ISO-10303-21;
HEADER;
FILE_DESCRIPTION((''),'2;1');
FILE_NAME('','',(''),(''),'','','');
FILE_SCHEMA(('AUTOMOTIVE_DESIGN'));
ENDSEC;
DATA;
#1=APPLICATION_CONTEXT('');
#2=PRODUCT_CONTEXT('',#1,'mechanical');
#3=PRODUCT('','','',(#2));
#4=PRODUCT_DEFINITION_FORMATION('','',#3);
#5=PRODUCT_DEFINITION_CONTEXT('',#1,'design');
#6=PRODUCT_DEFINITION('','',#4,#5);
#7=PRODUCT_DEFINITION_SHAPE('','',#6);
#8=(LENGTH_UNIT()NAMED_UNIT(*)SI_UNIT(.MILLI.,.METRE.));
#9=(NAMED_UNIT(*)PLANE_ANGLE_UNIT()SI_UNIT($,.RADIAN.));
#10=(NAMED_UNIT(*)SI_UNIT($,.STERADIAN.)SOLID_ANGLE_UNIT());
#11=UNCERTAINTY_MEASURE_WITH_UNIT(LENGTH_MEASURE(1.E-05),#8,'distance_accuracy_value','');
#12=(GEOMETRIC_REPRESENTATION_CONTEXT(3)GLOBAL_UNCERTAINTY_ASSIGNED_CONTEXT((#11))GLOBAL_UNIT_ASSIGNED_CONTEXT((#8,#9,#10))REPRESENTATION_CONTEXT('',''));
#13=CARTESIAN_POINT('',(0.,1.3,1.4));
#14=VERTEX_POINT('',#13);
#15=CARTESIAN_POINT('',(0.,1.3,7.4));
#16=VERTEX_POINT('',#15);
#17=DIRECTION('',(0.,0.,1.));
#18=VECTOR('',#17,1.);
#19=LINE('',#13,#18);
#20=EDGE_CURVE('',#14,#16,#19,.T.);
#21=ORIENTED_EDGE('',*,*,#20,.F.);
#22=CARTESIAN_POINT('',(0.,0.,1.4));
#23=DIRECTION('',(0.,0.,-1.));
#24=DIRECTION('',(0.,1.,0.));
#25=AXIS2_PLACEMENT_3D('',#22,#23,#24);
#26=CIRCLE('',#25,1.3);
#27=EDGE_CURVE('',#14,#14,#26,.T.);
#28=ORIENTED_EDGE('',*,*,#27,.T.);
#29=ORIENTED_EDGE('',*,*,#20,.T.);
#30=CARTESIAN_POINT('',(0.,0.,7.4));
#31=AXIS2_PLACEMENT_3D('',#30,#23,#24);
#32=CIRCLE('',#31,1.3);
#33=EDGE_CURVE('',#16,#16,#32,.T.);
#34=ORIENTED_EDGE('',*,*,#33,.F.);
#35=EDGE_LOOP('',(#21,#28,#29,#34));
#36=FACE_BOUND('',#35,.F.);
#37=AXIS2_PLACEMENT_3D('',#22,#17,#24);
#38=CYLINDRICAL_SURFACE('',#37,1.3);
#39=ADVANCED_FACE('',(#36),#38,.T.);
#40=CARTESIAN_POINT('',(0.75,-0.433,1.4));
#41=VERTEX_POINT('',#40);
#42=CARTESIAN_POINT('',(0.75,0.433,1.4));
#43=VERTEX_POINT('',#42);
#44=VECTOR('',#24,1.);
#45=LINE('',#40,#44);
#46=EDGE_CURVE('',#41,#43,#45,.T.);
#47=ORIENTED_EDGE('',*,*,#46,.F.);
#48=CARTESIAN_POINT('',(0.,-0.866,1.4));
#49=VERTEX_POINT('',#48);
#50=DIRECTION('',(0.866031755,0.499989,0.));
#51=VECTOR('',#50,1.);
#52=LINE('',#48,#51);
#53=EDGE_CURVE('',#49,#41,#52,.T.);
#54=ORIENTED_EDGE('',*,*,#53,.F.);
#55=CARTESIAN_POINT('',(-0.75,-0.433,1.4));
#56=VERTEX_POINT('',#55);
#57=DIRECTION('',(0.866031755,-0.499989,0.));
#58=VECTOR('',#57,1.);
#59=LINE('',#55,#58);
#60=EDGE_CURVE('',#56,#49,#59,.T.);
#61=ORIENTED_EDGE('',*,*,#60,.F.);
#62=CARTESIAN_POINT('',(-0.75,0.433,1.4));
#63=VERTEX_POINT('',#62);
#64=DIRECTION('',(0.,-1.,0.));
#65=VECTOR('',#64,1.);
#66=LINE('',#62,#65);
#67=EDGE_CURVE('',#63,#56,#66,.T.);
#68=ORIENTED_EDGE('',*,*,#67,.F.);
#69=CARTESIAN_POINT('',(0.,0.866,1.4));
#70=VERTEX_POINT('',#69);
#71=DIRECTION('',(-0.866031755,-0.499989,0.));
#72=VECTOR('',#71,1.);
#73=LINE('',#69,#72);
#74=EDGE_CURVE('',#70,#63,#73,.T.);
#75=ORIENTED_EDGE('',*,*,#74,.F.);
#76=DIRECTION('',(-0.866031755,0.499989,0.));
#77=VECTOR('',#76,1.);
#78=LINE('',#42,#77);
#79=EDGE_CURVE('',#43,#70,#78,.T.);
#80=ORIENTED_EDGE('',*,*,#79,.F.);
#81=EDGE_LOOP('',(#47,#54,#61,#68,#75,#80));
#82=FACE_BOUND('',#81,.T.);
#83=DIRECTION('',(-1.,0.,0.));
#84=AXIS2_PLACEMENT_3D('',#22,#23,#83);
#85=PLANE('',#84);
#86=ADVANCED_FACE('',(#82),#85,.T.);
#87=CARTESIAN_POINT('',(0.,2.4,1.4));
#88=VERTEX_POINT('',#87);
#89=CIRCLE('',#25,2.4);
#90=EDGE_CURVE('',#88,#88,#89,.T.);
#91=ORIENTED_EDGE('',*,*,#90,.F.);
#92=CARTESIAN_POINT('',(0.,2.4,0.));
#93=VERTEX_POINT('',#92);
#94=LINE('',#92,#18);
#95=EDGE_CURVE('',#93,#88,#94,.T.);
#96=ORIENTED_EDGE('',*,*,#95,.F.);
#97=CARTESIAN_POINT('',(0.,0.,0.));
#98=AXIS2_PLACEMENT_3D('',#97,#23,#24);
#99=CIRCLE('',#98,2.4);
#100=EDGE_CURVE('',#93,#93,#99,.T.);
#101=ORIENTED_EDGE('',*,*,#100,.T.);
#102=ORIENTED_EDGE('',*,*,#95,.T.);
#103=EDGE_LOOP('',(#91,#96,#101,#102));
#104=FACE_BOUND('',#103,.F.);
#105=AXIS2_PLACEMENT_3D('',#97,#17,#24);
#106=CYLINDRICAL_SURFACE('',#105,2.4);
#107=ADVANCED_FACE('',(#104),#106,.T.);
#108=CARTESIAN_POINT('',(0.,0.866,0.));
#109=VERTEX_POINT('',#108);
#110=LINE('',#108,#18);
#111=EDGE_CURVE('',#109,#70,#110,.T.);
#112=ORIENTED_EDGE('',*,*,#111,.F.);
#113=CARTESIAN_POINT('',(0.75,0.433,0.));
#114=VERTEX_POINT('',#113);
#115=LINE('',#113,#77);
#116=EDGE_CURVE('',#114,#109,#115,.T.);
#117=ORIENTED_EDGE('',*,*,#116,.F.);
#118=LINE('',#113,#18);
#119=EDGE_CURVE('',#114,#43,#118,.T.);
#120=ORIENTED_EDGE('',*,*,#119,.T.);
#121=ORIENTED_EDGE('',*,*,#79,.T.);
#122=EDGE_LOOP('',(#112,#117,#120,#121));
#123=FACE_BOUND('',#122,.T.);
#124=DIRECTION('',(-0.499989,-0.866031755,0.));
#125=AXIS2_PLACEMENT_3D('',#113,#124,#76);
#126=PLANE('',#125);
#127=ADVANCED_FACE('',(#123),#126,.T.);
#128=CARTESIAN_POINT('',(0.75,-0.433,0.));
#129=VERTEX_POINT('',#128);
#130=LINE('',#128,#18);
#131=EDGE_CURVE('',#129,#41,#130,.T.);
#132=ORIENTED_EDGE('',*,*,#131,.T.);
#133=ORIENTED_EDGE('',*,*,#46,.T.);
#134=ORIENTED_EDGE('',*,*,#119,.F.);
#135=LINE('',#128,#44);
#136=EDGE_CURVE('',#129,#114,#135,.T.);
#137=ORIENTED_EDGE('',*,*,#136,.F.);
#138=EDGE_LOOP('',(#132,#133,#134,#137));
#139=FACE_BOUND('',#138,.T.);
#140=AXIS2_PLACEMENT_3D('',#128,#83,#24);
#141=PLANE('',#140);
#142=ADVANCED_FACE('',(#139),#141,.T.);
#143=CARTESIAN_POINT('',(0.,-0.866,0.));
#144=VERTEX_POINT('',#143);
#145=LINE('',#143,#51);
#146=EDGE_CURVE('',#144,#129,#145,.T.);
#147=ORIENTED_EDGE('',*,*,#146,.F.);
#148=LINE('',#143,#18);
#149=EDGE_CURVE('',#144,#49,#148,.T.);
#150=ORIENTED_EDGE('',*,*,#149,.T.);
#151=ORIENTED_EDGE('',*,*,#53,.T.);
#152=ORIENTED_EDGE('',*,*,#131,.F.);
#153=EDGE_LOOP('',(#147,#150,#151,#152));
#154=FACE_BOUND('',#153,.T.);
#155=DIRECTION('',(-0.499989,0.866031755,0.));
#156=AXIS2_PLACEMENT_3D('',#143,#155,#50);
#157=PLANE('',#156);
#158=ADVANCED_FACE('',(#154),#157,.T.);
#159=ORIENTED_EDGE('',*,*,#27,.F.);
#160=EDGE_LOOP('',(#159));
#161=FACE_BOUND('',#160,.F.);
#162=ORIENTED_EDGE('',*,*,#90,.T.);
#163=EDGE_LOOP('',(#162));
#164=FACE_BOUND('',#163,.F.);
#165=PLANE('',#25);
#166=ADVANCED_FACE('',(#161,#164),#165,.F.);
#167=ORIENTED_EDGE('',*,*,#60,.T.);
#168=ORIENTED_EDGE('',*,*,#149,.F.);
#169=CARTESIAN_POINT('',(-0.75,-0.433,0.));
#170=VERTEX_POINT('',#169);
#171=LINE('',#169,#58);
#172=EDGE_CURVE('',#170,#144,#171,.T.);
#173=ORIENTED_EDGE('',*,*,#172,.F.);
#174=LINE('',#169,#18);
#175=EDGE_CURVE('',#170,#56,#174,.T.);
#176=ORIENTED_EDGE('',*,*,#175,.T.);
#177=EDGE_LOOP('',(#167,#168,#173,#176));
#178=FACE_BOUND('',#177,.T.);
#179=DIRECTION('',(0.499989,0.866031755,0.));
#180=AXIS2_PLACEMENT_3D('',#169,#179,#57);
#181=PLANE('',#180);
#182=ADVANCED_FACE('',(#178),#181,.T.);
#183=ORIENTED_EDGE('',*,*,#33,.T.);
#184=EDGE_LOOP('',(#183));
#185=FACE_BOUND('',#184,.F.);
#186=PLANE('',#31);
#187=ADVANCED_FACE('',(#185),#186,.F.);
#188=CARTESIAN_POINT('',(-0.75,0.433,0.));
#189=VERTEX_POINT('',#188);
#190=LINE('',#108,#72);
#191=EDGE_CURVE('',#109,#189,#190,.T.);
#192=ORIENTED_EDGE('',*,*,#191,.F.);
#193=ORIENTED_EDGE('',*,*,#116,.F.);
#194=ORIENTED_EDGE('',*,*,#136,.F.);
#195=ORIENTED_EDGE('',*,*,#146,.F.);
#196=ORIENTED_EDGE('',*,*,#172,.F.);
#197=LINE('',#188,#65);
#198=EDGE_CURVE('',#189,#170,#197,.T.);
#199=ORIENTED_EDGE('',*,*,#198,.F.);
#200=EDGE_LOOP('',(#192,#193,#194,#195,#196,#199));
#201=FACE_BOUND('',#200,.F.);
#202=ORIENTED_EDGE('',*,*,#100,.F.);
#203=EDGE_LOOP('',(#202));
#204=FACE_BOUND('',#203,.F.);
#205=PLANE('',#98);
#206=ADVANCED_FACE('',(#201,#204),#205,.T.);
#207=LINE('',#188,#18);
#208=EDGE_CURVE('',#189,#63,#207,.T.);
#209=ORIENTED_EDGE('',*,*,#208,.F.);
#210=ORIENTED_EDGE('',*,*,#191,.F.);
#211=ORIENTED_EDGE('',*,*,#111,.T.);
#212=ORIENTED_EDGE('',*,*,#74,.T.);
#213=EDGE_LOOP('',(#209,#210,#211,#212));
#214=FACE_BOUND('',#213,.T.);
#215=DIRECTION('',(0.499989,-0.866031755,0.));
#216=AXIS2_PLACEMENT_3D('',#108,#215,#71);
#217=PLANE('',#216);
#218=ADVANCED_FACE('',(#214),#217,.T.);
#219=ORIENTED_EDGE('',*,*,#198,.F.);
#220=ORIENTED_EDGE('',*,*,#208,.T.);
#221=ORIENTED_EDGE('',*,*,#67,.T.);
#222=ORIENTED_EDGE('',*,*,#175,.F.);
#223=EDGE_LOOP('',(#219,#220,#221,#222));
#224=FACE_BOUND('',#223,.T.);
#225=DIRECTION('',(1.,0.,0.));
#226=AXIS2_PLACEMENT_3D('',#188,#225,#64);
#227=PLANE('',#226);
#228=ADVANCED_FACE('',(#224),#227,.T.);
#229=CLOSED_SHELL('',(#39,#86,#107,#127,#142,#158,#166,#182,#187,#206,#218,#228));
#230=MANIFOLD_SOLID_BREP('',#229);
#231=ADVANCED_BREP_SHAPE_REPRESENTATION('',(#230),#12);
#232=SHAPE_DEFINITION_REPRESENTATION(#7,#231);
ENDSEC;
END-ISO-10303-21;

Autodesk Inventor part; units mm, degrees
ref_plane "YZ Plane" through (0, 0, 0) normal (1, 0, 0) x (0, 1, 0)
ref_plane "XZ Plane" through (0, 0, 0) normal (0, 1, 0) x (-1, 0, 0)
ref_plane "XY Plane" through (0, 0, 0) normal (0, 0, 1) x (1, 0, 0)
sketch "スケッチ1" plane through (0, 0, 0) normal (1, 0, 0) x (0, 1, 0)
  line L0 (0, 7.4) -> (0, 0)
  line L1 (0, 0) -> (2.4, 0)
  line L2 (2.4, 0) -> (2.4, 1.4)
  line L3 (2.4, 1.4) -> (1.3, 1.4)
  line L4 (1.3, 1.4) -> (1.3, 7.4)
  line L5 (1.3, 7.4) -> (0, 7.4)
  dimension "d1" = 1.3
  dimension "d2" = 1.4
  dimension "d3" = 2.4
  dimension "d10" = 6
revolve "回転1" add sketch "スケッチ1" angle 360 about axis through (0, 0, 7.4) along (0, 0, -1)
thread "ねじ1" size "M2.6x0.45" class "6g" standard "ANSI Metric M Profile" full length
sketch "スケッチ2" plane through (0, 0, 0) normal (0, 0, -1) x (-1, 0, 0)
  line L0 (0, 0.866) -> (0.75, 0.433)
  line L1 (0.75, 0.433) -> (0.75, -0.433)
  line L2 (0.75, -0.433) -> (0, -0.866)
  line L3 (0, -0.866) -> (-0.75, -0.433)
  line L4 (-0.75, -0.433) -> (-0.75, 0.433)
  line L5 (-0.75, 0.433) -> (0, 0.866)
  circle A0 centre (0, 0) radius 2.4 projected
  line L6 (0, 2.4) -> (0, -2.4) construction
  dimension "d7" = 1.5
extrude "押し出し1" cut sketch "スケッチ2" against normal blind 1.4 contours L0 L1 L2 L3 L4 L5
properties part number "M2_6-6" material "ステンレス鋼 AISI 304"
